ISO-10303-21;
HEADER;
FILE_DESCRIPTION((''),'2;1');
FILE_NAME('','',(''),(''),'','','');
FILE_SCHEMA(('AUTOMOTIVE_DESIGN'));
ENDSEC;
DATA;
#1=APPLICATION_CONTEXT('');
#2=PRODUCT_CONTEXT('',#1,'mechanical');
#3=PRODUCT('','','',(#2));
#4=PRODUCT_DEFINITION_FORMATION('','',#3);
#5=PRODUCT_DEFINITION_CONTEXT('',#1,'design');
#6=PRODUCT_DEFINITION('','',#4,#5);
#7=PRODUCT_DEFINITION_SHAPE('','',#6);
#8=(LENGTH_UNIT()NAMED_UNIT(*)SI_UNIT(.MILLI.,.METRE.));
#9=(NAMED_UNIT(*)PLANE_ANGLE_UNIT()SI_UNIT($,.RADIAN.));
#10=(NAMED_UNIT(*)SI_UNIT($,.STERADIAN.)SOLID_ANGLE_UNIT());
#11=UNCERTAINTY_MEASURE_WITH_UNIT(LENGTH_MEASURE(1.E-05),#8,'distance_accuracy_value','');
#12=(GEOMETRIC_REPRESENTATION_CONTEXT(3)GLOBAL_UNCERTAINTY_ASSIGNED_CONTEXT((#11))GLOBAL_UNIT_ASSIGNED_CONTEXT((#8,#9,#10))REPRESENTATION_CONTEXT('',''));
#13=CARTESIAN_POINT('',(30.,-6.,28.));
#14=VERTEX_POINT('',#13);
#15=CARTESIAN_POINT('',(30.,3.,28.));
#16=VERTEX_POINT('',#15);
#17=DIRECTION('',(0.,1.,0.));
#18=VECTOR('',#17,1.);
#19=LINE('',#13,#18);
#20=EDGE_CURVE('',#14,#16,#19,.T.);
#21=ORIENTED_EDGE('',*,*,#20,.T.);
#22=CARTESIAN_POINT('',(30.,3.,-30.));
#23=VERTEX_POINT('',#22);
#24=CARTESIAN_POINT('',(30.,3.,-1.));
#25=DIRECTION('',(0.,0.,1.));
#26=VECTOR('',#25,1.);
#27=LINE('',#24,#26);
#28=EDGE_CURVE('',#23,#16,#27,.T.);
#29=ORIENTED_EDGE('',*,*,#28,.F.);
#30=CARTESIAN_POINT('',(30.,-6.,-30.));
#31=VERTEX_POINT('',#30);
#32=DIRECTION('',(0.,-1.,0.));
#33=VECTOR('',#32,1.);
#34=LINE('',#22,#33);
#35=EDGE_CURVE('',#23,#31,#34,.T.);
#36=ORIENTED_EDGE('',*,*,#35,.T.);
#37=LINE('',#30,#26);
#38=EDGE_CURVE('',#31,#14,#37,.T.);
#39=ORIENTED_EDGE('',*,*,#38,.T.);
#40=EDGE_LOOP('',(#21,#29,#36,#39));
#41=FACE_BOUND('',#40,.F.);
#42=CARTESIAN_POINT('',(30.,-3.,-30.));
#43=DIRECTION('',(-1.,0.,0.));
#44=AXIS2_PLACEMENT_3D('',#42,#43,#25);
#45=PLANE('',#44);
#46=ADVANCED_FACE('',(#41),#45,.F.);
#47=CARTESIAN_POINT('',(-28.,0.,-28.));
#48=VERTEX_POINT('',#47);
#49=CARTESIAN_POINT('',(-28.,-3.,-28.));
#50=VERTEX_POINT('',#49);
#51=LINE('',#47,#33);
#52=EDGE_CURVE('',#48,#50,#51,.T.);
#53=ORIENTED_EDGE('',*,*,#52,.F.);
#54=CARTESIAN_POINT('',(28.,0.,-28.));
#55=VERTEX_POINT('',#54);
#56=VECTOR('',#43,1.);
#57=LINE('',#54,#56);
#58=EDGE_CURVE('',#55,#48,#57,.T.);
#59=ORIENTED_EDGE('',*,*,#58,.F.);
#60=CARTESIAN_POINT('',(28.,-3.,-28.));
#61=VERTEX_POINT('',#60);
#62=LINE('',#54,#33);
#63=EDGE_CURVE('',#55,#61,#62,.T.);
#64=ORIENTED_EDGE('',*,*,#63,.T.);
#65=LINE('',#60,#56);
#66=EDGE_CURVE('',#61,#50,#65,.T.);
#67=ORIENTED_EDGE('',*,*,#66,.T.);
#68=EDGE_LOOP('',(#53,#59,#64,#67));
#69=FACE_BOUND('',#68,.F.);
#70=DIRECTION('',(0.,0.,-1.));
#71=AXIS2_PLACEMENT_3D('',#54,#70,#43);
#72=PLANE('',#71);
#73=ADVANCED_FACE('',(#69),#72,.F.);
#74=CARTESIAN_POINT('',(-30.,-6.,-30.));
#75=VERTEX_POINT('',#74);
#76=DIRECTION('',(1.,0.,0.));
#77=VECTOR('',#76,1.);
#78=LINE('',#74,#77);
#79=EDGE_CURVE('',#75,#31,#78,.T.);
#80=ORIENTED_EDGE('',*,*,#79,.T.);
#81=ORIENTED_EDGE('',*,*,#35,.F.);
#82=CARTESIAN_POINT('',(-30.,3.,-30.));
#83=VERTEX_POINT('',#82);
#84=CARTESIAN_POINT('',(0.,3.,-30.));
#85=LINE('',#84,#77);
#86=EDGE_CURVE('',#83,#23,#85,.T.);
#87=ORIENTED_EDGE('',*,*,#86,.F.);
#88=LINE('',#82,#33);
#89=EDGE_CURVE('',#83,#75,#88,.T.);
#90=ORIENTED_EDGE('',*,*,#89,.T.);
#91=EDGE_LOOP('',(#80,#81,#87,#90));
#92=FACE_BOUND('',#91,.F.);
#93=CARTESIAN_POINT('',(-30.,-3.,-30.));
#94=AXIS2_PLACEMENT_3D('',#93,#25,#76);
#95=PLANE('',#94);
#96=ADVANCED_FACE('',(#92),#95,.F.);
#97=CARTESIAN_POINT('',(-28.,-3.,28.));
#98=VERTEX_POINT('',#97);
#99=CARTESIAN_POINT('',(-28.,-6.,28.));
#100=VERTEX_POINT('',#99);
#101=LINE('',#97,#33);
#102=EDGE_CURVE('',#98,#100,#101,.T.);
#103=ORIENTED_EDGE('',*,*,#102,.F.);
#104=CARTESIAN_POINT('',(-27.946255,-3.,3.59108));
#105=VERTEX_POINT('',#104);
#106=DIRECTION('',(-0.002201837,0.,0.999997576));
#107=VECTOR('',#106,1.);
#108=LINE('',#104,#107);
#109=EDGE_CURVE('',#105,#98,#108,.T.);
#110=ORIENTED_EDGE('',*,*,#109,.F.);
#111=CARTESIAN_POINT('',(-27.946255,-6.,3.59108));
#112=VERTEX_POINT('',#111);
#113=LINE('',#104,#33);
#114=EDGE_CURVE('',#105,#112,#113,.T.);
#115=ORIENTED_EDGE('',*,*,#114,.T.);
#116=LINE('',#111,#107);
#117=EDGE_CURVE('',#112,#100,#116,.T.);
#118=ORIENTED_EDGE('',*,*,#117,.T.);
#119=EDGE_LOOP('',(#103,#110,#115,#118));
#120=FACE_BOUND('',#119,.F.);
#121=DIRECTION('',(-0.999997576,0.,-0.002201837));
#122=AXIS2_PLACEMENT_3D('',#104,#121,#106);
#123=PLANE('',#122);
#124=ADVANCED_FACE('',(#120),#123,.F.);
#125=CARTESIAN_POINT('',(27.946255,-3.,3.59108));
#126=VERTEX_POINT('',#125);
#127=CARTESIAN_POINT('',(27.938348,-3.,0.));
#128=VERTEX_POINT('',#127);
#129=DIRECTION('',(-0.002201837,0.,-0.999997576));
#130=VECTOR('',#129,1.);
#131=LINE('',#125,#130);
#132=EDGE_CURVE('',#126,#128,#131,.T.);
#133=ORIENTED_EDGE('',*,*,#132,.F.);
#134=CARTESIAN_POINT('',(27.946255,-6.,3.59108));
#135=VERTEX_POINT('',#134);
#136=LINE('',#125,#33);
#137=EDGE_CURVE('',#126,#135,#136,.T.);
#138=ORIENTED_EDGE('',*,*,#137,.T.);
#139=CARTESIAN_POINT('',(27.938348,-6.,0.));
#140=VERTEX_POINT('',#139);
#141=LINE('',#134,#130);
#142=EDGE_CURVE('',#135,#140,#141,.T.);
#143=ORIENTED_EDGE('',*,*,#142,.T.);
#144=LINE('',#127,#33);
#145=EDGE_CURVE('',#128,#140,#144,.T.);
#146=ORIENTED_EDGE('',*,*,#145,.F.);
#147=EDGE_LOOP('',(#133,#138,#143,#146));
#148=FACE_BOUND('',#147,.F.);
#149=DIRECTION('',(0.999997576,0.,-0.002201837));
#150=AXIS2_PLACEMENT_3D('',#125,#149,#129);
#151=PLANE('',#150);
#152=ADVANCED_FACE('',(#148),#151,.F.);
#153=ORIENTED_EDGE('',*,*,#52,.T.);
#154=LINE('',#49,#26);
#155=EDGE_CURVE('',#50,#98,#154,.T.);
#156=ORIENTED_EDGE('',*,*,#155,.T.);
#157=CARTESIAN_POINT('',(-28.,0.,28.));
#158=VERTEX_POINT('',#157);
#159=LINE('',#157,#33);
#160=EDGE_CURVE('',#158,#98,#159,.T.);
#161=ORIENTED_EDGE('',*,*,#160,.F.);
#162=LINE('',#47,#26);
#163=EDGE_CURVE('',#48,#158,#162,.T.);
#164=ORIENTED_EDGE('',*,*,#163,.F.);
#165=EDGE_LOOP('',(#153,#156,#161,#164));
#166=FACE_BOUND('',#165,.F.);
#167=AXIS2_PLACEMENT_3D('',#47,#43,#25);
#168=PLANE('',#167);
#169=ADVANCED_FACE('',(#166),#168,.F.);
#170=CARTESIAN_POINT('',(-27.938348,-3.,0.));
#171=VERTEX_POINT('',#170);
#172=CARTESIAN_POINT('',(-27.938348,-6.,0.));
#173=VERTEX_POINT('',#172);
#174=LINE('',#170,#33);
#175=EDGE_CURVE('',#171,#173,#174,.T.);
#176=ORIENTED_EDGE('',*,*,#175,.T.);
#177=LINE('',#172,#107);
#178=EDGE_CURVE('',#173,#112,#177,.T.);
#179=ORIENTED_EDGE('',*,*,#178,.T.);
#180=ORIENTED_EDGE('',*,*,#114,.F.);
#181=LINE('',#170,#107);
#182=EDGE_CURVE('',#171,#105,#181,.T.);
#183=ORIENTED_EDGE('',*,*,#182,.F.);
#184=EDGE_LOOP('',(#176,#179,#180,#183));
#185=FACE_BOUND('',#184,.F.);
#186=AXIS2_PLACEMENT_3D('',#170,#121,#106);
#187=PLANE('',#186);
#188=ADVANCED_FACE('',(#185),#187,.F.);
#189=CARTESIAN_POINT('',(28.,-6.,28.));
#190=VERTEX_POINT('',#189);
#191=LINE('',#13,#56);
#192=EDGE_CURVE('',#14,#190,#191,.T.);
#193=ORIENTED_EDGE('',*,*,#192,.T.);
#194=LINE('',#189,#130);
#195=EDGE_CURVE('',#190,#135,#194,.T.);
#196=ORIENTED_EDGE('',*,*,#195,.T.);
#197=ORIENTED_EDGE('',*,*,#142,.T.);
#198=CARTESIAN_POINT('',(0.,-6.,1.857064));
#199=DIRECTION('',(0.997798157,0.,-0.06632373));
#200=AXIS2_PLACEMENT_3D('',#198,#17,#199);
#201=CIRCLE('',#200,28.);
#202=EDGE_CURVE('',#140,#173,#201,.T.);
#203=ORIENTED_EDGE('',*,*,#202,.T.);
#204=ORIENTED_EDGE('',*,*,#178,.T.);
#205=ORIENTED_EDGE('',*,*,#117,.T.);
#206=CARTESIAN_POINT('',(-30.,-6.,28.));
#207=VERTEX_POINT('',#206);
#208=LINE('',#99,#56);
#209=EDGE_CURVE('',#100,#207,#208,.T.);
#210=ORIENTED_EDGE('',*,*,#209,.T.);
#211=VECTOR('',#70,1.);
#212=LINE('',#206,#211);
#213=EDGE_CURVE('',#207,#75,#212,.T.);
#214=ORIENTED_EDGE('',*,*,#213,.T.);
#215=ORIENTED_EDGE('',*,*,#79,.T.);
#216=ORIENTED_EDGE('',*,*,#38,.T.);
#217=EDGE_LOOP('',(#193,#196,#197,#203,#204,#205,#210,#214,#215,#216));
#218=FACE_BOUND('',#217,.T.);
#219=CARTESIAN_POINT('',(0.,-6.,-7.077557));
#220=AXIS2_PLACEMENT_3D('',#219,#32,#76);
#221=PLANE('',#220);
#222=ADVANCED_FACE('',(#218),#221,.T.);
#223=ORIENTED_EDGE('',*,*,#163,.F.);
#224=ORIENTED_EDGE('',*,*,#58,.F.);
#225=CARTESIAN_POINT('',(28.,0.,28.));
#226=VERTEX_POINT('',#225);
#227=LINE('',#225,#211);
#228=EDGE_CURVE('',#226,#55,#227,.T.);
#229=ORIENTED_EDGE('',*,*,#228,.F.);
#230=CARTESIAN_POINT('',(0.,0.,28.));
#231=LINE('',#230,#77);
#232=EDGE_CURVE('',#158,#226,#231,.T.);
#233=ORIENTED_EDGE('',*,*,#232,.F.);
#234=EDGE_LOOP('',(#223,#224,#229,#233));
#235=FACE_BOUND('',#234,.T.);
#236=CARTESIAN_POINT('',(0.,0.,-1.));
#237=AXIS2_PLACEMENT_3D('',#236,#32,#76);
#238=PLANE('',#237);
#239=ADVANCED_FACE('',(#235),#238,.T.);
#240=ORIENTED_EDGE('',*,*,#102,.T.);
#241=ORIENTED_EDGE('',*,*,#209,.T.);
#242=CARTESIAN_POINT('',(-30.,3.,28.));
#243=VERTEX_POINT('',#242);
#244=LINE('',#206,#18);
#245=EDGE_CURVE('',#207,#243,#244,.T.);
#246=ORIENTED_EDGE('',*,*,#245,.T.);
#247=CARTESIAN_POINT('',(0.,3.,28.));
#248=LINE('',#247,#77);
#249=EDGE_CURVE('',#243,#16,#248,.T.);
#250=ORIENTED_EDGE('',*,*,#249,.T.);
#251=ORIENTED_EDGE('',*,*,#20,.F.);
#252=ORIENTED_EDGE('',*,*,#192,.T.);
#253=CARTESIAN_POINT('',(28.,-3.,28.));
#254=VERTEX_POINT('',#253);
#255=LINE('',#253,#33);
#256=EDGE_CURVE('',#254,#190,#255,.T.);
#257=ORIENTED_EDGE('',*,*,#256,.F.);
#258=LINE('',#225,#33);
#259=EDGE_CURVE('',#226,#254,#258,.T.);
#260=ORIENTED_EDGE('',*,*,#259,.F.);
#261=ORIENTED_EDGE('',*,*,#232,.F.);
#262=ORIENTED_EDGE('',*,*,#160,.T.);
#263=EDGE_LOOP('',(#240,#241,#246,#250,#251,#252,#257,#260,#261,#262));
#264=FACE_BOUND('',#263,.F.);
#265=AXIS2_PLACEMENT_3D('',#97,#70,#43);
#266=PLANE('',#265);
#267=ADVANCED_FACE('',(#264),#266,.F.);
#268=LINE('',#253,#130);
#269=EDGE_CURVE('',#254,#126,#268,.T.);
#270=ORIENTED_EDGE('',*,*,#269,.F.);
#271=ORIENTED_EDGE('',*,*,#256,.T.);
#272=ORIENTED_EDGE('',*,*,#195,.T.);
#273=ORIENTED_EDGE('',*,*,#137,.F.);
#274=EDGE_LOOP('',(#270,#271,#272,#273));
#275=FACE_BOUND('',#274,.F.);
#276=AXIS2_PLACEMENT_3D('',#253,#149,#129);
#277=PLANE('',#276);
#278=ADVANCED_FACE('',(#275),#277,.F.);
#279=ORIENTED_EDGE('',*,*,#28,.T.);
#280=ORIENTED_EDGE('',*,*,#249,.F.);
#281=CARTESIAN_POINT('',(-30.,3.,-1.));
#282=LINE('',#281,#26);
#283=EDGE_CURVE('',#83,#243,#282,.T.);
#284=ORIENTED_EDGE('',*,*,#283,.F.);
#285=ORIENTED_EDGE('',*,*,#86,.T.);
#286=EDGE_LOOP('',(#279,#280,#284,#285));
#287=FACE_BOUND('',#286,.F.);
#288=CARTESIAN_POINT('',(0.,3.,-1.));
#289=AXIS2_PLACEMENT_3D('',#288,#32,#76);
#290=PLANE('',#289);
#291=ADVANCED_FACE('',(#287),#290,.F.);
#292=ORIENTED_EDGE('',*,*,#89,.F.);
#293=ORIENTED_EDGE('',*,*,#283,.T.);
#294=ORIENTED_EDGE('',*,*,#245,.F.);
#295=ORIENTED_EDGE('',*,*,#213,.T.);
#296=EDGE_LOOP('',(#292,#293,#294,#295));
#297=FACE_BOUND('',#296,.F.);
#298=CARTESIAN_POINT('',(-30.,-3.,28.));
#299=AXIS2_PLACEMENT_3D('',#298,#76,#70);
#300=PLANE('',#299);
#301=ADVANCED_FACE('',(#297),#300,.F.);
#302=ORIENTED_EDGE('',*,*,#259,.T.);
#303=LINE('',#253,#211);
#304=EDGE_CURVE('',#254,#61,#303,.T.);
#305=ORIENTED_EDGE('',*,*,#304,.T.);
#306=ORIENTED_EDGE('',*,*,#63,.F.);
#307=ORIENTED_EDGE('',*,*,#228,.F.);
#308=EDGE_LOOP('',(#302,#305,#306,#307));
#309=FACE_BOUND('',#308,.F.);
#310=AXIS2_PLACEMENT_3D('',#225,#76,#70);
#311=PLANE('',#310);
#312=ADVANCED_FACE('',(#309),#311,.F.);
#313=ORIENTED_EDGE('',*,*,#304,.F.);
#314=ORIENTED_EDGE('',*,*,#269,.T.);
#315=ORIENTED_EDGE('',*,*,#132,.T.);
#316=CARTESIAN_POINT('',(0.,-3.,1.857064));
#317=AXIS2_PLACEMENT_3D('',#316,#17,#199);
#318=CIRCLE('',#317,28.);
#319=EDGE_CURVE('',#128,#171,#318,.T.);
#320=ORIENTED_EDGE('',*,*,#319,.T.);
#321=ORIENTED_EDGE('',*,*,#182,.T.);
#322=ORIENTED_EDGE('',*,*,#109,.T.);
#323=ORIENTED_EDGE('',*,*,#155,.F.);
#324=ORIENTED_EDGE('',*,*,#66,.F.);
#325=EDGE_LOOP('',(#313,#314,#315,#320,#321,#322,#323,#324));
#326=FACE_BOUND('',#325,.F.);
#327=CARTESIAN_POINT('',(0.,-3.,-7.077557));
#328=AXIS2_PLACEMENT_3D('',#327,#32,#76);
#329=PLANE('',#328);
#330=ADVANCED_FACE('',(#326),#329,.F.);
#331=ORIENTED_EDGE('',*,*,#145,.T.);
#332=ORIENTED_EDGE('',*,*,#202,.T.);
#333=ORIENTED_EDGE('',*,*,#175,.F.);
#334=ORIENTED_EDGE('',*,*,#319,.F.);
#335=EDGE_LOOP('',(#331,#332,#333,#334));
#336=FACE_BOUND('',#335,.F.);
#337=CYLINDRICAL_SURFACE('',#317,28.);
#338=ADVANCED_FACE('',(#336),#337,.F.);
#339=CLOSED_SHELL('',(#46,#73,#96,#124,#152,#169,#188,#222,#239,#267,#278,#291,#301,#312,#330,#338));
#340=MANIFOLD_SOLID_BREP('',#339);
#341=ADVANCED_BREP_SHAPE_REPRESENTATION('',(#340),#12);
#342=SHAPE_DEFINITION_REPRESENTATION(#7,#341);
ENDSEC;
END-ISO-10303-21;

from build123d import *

# Parameters (mm, degrees)
F0_W     = 60
F0_H     = 58
F1_DEPTH = 3
F4_DEPTH = 3
F6_DEPTH = 3


with BuildPart() as f1:
    # F0 (on Front) → F1 (new body)
    with BuildSketch(Plane.XZ):
        with Locations((0, -1)):
            Rectangle(F0_W, F0_H)
    extrude(amount=-F1_DEPTH)

    # F3 (on face) → F4 (join)
    with BuildSketch(Plane.XZ):
        Polygon((28, -28), (-28, -28), (-28, 28), (-30, 28), (-30, -30), (30, -30), (30, 28), (28, 28), align=None)
    extrude(amount=F4_DEPTH)

    # F5 (on face) → F6 (join)
    with BuildSketch(Plane.XZ.offset(3)):
        with BuildLine():
            Line((-30, 28), (-30, -30))
            Line((-30, -30), (30, -30))
            Line((30, -30), (30, 28))
            Line((30, 28), (28, 28))
            Line((28, 28), (27.9462553992, 3.5910797608))
            ThreePointArc((27.9462553992, 3.5910797608), (27.9999321267, 1.7954129877), (27.9383484068, 0))
            ThreePointArc((27.9383484068, 0), (0, -26.1429355685), (-27.9383484068, 0))
            ThreePointArc((-27.9383484068, 0), (-27.9999321267, 1.7954129877), (-27.9462553992, 3.5910797608))
            Line((-27.9462553992, 3.5910797608), (-28, 28))
            Line((-28, 28), (-30, 28))
        make_face()
        with BuildLine():
            Line((-27.9383484068, 0), (-27.9462553992, 3.5910797608))
            ThreePointArc((-27.9462553992, 3.5910797608), (-27.9999321267, 1.7954129877), (-27.9383484068, 0))
        make_face()
        with BuildLine():
            ThreePointArc((27.9383484068, 0), (27.9999321267, 1.7954129877), (27.9462553992, 3.5910797608))
            Line((27.9462553992, 3.5910797608), (27.9383484068, 0))
        make_face()
    extrude(amount=F6_DEPTH)


solid = f1.part
